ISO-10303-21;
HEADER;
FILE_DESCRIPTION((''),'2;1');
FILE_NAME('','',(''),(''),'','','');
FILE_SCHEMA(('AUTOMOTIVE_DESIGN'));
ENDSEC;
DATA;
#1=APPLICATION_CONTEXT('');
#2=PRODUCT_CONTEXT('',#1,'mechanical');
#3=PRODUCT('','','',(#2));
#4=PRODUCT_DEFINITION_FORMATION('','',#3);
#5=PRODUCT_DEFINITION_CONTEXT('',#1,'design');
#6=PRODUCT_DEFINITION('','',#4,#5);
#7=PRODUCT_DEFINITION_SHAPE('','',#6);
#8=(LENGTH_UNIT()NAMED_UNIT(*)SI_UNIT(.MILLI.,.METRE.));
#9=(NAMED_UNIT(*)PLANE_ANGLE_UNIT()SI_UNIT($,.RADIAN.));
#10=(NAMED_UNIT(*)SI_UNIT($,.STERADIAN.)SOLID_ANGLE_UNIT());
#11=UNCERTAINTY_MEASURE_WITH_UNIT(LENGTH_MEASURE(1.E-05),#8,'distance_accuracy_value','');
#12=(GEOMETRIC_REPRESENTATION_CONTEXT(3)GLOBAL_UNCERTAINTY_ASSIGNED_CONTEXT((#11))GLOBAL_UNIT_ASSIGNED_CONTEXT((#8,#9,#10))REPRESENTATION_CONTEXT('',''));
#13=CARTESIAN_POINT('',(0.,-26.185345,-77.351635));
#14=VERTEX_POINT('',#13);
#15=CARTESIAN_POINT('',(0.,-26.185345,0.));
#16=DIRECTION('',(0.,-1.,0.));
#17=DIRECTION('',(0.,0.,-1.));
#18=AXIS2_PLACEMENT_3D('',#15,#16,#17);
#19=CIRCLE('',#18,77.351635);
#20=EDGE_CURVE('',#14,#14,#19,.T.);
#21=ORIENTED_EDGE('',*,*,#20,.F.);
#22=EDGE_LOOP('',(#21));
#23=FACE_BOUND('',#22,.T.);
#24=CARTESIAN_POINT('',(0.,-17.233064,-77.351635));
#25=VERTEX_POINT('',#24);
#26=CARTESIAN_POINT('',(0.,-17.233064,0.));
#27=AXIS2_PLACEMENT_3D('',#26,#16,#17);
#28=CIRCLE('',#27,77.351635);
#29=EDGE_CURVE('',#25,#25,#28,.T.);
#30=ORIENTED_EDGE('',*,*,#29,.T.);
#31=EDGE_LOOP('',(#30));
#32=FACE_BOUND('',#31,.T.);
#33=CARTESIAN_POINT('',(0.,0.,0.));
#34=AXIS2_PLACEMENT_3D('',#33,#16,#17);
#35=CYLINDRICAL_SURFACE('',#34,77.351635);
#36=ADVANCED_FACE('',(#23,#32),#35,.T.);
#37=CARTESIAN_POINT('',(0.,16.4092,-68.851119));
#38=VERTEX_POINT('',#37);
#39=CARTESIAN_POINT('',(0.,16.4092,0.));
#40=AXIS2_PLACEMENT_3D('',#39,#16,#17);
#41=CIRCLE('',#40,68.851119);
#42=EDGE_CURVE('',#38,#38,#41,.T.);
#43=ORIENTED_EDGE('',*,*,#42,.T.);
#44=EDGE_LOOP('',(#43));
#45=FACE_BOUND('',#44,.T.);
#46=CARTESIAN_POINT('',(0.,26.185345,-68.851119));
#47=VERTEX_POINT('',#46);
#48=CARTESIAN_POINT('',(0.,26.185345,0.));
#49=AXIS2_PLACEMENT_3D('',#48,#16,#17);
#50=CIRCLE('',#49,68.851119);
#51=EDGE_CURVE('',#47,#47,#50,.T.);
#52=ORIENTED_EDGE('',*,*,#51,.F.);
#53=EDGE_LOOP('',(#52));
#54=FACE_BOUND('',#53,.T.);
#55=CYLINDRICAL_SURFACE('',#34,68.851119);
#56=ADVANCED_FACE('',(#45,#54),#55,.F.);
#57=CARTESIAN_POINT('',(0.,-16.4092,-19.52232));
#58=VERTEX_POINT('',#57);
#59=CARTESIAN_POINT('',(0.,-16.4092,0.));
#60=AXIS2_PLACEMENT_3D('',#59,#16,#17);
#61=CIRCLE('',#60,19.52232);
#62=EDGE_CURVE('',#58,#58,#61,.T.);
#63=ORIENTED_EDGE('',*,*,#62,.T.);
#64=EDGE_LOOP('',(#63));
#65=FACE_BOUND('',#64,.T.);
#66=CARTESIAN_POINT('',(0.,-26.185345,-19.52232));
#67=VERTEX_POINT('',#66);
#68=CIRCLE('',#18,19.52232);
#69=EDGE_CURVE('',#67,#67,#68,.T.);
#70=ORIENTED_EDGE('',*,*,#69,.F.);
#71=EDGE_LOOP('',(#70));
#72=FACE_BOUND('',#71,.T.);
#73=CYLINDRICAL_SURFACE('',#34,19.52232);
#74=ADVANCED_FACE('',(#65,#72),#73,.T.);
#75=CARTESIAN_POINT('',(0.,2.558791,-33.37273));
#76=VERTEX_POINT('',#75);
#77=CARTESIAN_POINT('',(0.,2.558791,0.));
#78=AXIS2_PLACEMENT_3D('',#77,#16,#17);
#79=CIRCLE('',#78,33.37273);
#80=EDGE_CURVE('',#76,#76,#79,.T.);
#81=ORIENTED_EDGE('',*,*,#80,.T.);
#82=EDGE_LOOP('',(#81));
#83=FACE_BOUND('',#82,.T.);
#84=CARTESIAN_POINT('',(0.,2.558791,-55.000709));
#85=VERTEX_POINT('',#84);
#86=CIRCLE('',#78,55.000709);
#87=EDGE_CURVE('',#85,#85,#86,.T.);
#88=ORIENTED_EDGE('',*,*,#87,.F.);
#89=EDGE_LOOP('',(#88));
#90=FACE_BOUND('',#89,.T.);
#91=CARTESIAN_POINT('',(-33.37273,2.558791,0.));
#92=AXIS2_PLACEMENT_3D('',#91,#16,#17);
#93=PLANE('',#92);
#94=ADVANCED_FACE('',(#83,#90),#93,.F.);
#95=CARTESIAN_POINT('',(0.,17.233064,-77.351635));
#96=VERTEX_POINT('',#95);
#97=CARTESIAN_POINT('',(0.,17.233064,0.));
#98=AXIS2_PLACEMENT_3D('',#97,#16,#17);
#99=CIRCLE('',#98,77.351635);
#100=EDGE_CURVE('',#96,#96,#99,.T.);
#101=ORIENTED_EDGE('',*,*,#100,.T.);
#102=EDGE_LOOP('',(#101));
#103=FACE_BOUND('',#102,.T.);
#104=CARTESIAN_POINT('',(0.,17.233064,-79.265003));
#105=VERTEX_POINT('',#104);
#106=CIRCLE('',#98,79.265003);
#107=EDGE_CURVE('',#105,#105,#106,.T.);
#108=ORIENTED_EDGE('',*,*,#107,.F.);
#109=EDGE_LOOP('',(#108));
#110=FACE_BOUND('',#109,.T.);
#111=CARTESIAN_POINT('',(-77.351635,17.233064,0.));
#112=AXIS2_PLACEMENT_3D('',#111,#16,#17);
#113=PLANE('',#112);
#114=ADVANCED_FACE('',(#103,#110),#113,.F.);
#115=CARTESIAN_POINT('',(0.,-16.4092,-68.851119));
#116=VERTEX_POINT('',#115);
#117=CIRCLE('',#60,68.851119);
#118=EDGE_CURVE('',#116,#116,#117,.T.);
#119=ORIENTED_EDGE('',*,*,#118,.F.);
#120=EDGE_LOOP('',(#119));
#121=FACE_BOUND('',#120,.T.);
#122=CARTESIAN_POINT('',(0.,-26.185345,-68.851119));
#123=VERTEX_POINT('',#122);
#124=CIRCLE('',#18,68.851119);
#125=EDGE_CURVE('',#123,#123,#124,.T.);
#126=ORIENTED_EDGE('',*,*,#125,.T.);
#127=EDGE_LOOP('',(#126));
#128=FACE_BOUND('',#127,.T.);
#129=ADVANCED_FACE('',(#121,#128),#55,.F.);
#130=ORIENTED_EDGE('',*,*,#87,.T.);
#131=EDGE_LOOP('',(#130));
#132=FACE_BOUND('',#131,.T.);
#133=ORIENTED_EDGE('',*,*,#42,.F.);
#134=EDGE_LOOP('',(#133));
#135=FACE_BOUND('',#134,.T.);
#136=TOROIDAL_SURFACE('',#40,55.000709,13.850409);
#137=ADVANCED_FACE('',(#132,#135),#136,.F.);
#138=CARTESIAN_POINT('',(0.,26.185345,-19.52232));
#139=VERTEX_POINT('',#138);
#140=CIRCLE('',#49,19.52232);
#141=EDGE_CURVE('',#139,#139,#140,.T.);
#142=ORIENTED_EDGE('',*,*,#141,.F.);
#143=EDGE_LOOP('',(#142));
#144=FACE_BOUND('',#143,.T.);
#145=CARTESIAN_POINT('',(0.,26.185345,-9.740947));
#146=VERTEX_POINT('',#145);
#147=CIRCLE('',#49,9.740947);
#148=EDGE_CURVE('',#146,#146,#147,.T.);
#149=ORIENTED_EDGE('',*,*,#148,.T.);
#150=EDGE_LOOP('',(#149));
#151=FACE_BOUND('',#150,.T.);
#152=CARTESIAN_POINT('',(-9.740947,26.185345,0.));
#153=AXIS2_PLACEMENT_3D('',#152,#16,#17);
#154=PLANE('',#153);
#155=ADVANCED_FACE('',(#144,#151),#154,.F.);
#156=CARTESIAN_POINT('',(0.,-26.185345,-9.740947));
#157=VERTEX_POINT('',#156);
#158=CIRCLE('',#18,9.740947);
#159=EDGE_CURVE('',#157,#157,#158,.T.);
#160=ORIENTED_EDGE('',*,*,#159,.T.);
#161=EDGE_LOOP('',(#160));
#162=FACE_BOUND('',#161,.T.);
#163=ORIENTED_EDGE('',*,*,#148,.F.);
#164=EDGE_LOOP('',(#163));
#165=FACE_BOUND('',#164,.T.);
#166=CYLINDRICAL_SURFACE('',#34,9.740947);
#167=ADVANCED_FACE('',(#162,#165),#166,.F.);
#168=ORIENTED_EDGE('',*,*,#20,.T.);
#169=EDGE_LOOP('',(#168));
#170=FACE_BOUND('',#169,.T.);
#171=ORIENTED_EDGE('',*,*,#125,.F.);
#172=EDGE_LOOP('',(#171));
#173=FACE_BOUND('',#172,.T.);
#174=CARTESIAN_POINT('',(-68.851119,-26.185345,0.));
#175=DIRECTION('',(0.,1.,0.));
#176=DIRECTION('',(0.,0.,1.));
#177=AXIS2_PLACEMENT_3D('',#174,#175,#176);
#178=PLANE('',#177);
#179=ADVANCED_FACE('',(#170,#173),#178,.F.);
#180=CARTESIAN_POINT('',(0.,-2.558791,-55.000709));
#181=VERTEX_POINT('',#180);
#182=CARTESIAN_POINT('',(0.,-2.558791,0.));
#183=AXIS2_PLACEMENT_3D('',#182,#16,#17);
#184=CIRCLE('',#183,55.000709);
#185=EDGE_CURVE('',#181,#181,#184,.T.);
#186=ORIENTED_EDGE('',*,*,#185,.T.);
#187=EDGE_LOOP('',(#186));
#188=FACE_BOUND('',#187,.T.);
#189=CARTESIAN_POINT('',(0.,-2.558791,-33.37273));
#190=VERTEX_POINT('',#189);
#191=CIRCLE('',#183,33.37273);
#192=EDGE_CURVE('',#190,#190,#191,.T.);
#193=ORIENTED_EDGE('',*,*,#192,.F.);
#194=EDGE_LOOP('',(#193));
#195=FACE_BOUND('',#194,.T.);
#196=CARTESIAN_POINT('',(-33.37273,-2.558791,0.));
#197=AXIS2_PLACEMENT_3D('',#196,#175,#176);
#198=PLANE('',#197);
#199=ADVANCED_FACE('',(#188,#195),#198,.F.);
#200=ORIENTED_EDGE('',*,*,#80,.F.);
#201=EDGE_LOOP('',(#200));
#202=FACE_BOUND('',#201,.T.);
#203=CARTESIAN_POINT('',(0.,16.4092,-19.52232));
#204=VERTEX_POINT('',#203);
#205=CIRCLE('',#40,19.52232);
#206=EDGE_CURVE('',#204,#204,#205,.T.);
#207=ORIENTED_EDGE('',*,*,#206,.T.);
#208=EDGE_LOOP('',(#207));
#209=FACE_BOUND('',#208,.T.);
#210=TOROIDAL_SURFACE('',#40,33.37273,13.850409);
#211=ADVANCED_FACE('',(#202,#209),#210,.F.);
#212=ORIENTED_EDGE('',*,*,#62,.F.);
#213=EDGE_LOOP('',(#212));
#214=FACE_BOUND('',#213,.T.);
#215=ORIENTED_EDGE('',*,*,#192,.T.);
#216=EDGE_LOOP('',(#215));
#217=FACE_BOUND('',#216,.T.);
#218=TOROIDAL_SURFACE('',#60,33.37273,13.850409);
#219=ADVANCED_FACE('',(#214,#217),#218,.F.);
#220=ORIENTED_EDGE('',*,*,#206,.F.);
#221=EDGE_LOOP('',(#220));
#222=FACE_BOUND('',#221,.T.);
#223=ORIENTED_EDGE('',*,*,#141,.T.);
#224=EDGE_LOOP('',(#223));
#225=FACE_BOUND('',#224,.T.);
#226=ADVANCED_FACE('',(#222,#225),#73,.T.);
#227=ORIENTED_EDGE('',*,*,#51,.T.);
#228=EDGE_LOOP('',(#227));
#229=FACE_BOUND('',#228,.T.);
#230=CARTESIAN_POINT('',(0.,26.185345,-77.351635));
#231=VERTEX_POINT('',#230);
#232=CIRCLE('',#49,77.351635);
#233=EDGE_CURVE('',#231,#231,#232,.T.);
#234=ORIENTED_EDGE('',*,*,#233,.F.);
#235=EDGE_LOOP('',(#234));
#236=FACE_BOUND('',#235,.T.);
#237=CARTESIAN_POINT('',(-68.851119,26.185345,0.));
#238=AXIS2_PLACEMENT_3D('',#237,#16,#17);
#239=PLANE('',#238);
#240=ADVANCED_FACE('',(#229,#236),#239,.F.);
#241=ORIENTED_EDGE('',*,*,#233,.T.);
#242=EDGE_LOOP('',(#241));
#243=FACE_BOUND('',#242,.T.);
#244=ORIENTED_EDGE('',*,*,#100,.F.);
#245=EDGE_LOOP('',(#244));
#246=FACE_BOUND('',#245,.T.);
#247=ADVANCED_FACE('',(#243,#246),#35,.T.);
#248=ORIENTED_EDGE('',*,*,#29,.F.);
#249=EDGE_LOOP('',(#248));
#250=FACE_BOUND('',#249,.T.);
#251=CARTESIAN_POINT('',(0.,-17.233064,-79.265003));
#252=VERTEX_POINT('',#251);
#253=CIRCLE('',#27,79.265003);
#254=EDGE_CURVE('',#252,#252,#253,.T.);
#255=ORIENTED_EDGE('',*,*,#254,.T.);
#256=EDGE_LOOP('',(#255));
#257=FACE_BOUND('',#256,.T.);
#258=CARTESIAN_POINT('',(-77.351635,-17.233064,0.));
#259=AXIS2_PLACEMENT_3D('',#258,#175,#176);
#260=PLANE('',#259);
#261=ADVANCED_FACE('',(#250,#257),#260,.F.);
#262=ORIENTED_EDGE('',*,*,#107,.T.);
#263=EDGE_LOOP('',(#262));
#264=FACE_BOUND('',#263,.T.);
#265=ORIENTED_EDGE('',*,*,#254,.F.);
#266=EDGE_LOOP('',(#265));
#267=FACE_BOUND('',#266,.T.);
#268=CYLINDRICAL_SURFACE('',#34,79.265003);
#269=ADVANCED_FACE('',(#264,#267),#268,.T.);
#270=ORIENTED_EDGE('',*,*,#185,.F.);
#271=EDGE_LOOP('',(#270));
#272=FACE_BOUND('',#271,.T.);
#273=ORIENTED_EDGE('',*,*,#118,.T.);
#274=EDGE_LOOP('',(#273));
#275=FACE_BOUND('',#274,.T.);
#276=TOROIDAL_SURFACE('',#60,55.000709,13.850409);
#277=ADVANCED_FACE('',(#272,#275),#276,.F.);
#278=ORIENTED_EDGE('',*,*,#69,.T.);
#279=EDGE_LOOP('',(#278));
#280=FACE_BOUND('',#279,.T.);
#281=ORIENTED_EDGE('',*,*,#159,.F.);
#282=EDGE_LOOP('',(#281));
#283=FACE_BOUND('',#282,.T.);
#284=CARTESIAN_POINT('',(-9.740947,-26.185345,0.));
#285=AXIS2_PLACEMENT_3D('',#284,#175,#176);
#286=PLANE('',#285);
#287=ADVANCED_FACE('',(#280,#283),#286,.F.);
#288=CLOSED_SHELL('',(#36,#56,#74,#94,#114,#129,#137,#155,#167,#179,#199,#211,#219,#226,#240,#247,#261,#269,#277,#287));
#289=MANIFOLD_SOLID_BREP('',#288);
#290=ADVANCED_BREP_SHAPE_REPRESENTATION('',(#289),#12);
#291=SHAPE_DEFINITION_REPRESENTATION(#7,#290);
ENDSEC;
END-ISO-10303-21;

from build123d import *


with BuildPart() as part:
    # Sketch1 → Revolve1 (revolve)
    with BuildSketch(Plane.XY, mode=Mode.PRIVATE) as revolve1_sk:
        with BuildLine():
            Line((-9.740947322, 26.185345129), (-9.740947322, -26.185345129))
            Line((-9.740947322, -26.185345129), (-19.522320179, -26.185345129))
            Line((-19.522320179, -26.185345129), (-19.522320179, -16.409199987))
            ThreePointArc((-19.522320179, -16.409199987), (-23.579011192, -6.615481526), (-33.372729652, -2.558790514))
            Line((-33.372729652, -2.558790514), (-55.000709219, -2.558790514))
            ThreePointArc((-55.000709219, -2.558790514), (-64.79442768, -6.615481526), (-68.851118692, -16.409199987))
            Line((-68.851118692, -16.409199987), (-68.851118692, -26.185345129))
            Line((-68.851118692, -26.185345129), (-77.3516349, -26.185345129))
            Line((-77.3516349, -26.185345129), (-77.3516349, -17.373618967))
            Line((-77.3516349, -17.373618967), (-77.3516349, -17.233064019))
            Line((-77.3516349, -17.233064019), (-79.265002978, -17.233064019))
            Line((-79.265002978, -17.233064019), (-79.265002978, 17.233064019))
            Line((-79.265002978, 17.233064019), (-77.3516349, 17.233064019))
            Line((-77.3516349, 17.233064019), (-77.3516349, 17.373618967))
            Line((-77.3516349, 17.373618967), (-77.3516349, 26.185345129))
            Line((-77.3516349, 26.185345129), (-68.851118692, 26.185345129))
            Line((-68.851118692, 26.185345129), (-68.851118692, 16.409199987))
            ThreePointArc((-68.851118692, 16.409199987), (-64.79442768, 6.615481526), (-55.000709219, 2.558790514))
            Line((-55.000709219, 2.558790514), (-33.372729652, 2.558790514))
            ThreePointArc((-33.372729652, 2.558790514), (-23.579011192, 6.615481526), (-19.522320179, 16.409199987))
            Line((-19.522320179, 16.409199987), (-19.522320179, 26.185345129))
            Line((-19.522320179, 26.185345129), (-9.740947322, 26.185345129))
        make_face()
    revolve(revolve1_sk.sketch.rotate(Axis((0, 0, 0), (0, 1, 0)), 270), axis=Axis((0, 0, 0), (0, 1, 0)))


solid = part.part
